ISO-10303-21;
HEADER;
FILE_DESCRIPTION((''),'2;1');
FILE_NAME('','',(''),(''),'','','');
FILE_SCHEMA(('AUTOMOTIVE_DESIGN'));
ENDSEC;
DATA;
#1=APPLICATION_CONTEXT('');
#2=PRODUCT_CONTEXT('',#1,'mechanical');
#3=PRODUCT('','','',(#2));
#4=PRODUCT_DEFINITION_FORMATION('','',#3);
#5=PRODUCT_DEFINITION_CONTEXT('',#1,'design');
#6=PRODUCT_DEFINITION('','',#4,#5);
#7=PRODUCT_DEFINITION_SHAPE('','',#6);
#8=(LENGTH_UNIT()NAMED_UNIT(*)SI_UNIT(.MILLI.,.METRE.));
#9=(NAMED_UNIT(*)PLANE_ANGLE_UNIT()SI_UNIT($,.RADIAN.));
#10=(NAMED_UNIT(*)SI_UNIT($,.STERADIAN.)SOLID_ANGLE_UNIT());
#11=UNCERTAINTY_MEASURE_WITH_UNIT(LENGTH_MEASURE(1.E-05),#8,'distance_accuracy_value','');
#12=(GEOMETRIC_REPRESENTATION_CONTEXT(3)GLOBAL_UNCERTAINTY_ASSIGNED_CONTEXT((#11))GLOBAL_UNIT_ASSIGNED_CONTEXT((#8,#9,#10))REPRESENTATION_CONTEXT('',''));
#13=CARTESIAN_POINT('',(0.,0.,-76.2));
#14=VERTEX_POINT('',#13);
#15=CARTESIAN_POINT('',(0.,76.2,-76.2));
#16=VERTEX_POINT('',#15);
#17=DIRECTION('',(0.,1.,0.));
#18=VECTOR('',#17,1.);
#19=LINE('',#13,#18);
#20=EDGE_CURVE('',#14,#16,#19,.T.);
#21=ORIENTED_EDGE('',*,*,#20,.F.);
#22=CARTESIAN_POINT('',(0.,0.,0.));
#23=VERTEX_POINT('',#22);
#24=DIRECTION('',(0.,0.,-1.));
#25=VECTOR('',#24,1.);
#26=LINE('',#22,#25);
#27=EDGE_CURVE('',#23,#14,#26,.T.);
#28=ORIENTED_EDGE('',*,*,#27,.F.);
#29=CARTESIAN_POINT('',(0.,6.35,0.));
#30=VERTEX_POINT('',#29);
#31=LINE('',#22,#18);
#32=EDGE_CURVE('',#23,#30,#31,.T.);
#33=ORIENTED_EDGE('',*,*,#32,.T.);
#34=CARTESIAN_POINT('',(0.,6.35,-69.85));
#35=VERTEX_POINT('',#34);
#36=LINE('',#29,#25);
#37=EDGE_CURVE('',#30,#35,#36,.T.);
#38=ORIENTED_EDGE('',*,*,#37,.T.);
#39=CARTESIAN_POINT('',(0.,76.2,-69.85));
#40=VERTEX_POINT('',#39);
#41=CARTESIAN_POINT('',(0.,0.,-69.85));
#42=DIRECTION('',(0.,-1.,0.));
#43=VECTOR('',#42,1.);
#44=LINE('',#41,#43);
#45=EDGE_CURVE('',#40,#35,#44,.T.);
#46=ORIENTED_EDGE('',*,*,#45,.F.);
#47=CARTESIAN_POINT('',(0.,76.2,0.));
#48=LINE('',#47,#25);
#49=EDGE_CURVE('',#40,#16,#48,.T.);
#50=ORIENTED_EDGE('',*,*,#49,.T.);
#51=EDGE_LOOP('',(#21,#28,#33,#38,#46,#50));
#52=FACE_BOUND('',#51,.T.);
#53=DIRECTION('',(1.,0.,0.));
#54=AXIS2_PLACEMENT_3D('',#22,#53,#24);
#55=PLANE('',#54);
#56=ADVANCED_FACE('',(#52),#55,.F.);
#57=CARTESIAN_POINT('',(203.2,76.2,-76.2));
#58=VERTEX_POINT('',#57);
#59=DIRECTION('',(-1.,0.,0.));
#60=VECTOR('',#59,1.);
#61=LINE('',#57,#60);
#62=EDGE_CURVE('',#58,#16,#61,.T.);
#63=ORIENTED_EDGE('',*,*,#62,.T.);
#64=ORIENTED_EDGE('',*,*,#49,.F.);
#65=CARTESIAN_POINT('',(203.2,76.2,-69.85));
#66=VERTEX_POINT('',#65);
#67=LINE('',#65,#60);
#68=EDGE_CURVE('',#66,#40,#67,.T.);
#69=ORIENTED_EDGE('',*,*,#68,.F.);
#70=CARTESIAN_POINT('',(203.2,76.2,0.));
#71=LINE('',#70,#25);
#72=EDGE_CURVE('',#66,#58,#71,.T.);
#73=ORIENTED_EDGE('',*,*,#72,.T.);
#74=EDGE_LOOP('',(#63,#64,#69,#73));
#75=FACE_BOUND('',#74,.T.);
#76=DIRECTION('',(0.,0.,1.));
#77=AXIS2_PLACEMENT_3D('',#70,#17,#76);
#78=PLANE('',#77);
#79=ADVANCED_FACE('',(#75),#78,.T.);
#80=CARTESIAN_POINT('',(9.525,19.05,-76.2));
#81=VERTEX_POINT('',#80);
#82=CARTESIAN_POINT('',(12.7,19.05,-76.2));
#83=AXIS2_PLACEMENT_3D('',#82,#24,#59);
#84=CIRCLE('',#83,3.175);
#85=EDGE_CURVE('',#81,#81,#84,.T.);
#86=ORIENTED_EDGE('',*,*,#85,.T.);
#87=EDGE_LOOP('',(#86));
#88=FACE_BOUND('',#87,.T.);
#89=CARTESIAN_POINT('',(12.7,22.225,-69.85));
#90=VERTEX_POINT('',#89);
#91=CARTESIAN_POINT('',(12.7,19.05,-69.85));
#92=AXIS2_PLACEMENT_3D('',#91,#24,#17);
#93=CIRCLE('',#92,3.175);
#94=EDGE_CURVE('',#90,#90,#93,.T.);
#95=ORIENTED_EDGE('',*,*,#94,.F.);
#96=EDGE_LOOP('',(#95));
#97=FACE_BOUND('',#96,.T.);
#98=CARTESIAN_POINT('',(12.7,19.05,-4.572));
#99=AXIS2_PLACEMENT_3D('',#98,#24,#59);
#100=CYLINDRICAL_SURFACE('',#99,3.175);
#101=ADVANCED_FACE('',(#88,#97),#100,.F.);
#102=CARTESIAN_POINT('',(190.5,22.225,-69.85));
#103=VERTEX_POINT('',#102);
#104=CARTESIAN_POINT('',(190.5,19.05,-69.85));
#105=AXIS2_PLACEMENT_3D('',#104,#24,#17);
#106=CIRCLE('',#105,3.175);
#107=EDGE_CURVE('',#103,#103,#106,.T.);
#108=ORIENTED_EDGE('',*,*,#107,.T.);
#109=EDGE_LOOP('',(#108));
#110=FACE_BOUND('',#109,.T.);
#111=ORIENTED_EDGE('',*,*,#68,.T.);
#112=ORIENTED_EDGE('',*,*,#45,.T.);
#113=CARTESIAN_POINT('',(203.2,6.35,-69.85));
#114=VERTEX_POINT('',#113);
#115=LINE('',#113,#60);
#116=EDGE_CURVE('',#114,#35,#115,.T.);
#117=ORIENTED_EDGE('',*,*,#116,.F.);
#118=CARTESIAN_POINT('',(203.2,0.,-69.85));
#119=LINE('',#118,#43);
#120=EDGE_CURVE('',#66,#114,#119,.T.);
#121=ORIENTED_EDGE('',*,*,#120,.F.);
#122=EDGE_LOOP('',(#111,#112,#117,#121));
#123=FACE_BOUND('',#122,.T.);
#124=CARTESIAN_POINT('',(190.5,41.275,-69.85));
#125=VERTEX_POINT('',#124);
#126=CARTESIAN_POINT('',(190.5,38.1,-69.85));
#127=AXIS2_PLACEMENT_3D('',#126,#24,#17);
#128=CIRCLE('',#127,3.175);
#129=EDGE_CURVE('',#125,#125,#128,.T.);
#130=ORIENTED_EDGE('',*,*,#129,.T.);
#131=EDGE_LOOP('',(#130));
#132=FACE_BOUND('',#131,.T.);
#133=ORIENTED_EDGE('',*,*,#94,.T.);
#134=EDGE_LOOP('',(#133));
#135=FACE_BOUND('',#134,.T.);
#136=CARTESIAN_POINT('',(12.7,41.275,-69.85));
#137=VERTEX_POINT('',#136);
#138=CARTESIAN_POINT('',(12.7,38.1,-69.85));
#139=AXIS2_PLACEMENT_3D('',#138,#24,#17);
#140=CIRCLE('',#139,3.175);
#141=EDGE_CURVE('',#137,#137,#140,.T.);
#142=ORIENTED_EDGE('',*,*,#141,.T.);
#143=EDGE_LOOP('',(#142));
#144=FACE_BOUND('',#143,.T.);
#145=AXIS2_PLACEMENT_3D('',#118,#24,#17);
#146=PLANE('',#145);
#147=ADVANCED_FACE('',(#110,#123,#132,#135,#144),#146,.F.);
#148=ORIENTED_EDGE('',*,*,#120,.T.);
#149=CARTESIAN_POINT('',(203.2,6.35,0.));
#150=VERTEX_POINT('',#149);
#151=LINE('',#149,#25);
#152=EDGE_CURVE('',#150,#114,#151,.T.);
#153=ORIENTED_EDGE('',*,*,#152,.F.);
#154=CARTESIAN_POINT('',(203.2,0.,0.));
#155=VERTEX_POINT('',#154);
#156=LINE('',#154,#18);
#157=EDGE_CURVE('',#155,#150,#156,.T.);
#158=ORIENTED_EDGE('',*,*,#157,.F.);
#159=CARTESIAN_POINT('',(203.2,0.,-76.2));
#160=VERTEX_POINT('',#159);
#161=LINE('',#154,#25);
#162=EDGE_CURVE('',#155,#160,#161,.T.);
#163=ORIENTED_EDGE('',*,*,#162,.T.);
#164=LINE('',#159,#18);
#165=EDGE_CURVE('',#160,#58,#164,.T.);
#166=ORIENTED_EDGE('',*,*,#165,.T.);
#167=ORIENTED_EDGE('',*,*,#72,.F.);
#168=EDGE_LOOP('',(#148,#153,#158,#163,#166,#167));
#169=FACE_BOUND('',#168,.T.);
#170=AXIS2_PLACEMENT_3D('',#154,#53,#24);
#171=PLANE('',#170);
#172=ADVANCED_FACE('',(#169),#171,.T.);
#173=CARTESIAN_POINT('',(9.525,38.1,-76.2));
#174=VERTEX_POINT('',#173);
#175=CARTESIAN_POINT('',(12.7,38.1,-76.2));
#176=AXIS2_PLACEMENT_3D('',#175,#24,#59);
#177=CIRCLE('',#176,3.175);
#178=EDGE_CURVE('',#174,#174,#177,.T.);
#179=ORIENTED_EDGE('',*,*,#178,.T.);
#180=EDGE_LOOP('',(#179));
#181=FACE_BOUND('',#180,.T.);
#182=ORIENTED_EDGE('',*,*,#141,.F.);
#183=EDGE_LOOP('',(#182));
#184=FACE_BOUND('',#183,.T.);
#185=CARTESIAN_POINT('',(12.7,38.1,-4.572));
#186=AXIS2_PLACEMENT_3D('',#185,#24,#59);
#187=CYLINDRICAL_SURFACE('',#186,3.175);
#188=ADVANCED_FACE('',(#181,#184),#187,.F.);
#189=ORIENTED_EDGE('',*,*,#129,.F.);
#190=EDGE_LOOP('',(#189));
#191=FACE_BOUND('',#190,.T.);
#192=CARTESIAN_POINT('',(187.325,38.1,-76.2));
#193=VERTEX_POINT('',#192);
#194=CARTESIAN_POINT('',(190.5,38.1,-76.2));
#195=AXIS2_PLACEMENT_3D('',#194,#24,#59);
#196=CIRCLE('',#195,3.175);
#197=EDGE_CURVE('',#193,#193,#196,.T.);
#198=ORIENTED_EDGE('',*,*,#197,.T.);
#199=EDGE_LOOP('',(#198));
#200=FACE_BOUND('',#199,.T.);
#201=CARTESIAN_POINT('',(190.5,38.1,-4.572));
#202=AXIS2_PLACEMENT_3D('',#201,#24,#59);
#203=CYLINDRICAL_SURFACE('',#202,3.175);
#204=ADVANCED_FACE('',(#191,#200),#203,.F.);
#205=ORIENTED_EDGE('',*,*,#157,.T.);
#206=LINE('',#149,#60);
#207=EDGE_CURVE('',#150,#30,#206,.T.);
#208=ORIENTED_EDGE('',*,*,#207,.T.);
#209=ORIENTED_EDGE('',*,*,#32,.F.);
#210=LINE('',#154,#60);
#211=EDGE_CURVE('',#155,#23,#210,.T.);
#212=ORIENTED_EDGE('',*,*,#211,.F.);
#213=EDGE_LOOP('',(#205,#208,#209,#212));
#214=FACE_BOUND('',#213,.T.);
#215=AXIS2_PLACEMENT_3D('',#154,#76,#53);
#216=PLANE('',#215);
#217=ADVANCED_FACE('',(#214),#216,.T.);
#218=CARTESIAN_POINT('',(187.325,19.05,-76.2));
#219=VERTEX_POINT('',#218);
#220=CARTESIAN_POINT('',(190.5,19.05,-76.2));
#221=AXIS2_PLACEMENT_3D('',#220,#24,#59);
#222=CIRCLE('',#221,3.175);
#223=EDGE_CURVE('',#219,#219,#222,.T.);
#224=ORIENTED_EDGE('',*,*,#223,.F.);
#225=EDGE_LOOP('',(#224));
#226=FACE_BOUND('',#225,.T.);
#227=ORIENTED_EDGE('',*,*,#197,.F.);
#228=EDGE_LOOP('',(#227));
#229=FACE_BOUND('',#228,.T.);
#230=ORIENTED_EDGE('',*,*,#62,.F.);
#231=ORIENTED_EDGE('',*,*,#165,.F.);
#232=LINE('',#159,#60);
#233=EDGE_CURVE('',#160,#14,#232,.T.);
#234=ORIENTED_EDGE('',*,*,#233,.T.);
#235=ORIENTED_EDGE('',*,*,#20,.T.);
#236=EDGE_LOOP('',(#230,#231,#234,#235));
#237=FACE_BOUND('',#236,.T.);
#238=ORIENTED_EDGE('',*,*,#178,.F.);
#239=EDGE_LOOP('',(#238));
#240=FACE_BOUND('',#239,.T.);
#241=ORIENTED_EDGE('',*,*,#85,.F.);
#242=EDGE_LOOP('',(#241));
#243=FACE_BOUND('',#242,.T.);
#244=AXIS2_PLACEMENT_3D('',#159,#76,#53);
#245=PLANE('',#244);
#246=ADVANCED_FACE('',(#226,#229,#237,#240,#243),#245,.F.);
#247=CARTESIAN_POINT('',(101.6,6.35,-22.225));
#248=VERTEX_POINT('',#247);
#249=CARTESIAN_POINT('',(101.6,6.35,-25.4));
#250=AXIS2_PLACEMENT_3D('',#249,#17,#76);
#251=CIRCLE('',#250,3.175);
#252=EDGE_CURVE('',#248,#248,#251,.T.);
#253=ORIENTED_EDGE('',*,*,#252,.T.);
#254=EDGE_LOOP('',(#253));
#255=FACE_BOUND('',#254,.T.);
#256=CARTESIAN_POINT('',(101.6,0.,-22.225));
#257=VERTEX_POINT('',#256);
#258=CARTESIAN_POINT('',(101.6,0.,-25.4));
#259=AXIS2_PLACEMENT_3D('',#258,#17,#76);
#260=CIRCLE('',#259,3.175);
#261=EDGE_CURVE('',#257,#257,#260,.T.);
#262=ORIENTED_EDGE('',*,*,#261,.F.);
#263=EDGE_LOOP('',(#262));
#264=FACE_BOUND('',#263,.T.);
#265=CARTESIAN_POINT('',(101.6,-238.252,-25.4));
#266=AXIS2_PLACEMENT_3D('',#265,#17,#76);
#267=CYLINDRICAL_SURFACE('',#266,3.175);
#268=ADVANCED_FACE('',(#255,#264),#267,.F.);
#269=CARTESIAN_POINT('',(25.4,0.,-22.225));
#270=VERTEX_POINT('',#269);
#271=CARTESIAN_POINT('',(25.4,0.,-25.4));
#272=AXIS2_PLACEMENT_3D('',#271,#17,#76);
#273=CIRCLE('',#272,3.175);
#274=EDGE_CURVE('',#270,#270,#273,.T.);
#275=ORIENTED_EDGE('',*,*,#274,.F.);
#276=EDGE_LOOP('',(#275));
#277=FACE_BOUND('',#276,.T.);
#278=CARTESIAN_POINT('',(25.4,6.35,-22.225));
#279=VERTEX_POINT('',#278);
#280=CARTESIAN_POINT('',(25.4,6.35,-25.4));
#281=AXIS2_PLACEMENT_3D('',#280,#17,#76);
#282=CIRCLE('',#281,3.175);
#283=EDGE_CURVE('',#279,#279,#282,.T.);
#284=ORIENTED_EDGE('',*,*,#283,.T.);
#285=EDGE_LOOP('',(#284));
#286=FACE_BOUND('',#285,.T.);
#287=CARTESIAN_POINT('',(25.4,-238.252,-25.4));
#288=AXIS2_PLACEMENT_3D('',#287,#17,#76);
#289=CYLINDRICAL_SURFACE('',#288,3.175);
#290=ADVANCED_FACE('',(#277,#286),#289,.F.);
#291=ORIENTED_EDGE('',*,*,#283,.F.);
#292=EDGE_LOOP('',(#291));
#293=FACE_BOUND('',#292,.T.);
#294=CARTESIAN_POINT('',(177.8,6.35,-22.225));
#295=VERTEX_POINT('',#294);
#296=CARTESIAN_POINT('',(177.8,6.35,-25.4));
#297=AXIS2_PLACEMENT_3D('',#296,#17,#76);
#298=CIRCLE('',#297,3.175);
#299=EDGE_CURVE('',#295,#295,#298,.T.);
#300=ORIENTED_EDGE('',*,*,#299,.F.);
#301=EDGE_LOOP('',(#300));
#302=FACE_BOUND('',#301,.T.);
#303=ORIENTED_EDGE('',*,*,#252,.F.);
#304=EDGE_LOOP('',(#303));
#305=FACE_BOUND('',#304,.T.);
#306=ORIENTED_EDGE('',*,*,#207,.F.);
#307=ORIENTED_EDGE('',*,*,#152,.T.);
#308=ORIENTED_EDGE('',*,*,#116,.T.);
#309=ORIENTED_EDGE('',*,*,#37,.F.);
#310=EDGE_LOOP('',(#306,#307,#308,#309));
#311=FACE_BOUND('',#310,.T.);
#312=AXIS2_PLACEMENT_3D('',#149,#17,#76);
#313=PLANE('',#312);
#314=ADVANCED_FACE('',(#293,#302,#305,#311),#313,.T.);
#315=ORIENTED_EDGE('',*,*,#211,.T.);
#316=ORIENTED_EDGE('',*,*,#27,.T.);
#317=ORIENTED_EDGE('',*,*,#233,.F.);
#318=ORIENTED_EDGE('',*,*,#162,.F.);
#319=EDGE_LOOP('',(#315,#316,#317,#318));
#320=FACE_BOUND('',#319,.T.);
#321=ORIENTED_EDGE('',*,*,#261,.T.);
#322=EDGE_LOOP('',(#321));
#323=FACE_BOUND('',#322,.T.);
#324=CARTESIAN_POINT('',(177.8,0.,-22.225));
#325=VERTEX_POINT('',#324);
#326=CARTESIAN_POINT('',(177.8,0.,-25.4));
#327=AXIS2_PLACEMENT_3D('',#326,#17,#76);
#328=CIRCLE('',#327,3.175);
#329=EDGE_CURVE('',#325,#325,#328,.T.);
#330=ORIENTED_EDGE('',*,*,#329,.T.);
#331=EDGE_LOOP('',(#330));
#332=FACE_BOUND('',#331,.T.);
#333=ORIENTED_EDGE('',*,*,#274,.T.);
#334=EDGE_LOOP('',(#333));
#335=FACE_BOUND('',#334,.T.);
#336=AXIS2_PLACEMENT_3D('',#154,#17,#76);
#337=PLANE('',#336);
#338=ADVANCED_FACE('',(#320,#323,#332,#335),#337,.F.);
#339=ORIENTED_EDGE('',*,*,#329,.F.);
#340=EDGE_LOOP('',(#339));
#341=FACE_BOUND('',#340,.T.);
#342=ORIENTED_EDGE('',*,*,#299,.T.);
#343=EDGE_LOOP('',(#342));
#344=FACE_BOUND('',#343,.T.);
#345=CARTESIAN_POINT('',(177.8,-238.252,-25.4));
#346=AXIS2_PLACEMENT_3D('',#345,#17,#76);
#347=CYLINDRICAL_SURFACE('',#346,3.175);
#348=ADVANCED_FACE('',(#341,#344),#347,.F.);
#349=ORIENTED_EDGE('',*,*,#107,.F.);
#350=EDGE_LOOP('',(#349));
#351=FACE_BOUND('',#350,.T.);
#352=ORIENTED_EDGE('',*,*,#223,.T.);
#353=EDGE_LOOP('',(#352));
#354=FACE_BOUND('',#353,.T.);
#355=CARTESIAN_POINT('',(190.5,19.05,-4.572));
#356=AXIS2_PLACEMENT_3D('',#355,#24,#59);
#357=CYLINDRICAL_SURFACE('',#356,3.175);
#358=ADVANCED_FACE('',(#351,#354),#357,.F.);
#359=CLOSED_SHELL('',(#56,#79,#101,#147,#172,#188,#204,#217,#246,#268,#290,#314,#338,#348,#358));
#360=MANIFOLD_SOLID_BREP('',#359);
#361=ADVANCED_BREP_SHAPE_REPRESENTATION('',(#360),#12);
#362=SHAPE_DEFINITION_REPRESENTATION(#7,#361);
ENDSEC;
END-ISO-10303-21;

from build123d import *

# Parameters (mm, degrees)
BOSS_EXTRUDE2_DEPTH = 203.2
SKETCH4_R           = 3.175
CUT_EXTRUDE1_DEPTH  = 71.628
SKETCH5_R           = 3.175
CUT_EXTRUDE2_DEPTH  = 244.602


with BuildPart() as part:
    # Sketch2 → Boss-Extrude2 (new body)
    with BuildSketch(Plane(origin=(0, 0, 0), x_dir=(0, 0, -1), z_dir=(1, 0, 0))):
        Polygon((0, 6.35), (0, 0), (76.2, 0), (76.2, 76.2), (69.85, 76.2), (69.85, 6.35), align=None)
    extrude(amount=BOSS_EXTRUDE2_DEPTH)

    # Sketch4 → Cut-Extrude1 (cut)
    with BuildSketch(Plane(origin=(0, 0, -76.2), x_dir=(-1, 0, 0), z_dir=(0, 0, -1))):
        with Locations((-190.5, 19.05)):
            Circle(SKETCH4_R)
        with Locations((-190.5, 38.1)):
            Circle(SKETCH4_R)
        with Locations((-12.7, 19.05)):
            Circle(SKETCH4_R)
        with Locations((-12.7, 38.1)):
            Circle(SKETCH4_R)
    extrude(amount=-CUT_EXTRUDE1_DEPTH, mode=Mode.SUBTRACT)

    # Sketch5 → Cut-Extrude2 (cut)
    with BuildSketch(Plane(origin=(0, 6.35, 0), x_dir=(1, 0, 0), z_dir=(0, 1, 0))):
        with Locations(Location((25.4, 25.4, 0), (0, 0, 270))):
            Circle(SKETCH5_R)
        with Locations(Location((177.8, 25.4, 0), (0, 0, 270))):
            Circle(SKETCH5_R)
        with Locations(Location((101.6, 25.4, 0), (0, 0, 270))):
            Circle(SKETCH5_R)
    extrude(amount=-CUT_EXTRUDE2_DEPTH, mode=Mode.SUBTRACT)


solid = part.part
